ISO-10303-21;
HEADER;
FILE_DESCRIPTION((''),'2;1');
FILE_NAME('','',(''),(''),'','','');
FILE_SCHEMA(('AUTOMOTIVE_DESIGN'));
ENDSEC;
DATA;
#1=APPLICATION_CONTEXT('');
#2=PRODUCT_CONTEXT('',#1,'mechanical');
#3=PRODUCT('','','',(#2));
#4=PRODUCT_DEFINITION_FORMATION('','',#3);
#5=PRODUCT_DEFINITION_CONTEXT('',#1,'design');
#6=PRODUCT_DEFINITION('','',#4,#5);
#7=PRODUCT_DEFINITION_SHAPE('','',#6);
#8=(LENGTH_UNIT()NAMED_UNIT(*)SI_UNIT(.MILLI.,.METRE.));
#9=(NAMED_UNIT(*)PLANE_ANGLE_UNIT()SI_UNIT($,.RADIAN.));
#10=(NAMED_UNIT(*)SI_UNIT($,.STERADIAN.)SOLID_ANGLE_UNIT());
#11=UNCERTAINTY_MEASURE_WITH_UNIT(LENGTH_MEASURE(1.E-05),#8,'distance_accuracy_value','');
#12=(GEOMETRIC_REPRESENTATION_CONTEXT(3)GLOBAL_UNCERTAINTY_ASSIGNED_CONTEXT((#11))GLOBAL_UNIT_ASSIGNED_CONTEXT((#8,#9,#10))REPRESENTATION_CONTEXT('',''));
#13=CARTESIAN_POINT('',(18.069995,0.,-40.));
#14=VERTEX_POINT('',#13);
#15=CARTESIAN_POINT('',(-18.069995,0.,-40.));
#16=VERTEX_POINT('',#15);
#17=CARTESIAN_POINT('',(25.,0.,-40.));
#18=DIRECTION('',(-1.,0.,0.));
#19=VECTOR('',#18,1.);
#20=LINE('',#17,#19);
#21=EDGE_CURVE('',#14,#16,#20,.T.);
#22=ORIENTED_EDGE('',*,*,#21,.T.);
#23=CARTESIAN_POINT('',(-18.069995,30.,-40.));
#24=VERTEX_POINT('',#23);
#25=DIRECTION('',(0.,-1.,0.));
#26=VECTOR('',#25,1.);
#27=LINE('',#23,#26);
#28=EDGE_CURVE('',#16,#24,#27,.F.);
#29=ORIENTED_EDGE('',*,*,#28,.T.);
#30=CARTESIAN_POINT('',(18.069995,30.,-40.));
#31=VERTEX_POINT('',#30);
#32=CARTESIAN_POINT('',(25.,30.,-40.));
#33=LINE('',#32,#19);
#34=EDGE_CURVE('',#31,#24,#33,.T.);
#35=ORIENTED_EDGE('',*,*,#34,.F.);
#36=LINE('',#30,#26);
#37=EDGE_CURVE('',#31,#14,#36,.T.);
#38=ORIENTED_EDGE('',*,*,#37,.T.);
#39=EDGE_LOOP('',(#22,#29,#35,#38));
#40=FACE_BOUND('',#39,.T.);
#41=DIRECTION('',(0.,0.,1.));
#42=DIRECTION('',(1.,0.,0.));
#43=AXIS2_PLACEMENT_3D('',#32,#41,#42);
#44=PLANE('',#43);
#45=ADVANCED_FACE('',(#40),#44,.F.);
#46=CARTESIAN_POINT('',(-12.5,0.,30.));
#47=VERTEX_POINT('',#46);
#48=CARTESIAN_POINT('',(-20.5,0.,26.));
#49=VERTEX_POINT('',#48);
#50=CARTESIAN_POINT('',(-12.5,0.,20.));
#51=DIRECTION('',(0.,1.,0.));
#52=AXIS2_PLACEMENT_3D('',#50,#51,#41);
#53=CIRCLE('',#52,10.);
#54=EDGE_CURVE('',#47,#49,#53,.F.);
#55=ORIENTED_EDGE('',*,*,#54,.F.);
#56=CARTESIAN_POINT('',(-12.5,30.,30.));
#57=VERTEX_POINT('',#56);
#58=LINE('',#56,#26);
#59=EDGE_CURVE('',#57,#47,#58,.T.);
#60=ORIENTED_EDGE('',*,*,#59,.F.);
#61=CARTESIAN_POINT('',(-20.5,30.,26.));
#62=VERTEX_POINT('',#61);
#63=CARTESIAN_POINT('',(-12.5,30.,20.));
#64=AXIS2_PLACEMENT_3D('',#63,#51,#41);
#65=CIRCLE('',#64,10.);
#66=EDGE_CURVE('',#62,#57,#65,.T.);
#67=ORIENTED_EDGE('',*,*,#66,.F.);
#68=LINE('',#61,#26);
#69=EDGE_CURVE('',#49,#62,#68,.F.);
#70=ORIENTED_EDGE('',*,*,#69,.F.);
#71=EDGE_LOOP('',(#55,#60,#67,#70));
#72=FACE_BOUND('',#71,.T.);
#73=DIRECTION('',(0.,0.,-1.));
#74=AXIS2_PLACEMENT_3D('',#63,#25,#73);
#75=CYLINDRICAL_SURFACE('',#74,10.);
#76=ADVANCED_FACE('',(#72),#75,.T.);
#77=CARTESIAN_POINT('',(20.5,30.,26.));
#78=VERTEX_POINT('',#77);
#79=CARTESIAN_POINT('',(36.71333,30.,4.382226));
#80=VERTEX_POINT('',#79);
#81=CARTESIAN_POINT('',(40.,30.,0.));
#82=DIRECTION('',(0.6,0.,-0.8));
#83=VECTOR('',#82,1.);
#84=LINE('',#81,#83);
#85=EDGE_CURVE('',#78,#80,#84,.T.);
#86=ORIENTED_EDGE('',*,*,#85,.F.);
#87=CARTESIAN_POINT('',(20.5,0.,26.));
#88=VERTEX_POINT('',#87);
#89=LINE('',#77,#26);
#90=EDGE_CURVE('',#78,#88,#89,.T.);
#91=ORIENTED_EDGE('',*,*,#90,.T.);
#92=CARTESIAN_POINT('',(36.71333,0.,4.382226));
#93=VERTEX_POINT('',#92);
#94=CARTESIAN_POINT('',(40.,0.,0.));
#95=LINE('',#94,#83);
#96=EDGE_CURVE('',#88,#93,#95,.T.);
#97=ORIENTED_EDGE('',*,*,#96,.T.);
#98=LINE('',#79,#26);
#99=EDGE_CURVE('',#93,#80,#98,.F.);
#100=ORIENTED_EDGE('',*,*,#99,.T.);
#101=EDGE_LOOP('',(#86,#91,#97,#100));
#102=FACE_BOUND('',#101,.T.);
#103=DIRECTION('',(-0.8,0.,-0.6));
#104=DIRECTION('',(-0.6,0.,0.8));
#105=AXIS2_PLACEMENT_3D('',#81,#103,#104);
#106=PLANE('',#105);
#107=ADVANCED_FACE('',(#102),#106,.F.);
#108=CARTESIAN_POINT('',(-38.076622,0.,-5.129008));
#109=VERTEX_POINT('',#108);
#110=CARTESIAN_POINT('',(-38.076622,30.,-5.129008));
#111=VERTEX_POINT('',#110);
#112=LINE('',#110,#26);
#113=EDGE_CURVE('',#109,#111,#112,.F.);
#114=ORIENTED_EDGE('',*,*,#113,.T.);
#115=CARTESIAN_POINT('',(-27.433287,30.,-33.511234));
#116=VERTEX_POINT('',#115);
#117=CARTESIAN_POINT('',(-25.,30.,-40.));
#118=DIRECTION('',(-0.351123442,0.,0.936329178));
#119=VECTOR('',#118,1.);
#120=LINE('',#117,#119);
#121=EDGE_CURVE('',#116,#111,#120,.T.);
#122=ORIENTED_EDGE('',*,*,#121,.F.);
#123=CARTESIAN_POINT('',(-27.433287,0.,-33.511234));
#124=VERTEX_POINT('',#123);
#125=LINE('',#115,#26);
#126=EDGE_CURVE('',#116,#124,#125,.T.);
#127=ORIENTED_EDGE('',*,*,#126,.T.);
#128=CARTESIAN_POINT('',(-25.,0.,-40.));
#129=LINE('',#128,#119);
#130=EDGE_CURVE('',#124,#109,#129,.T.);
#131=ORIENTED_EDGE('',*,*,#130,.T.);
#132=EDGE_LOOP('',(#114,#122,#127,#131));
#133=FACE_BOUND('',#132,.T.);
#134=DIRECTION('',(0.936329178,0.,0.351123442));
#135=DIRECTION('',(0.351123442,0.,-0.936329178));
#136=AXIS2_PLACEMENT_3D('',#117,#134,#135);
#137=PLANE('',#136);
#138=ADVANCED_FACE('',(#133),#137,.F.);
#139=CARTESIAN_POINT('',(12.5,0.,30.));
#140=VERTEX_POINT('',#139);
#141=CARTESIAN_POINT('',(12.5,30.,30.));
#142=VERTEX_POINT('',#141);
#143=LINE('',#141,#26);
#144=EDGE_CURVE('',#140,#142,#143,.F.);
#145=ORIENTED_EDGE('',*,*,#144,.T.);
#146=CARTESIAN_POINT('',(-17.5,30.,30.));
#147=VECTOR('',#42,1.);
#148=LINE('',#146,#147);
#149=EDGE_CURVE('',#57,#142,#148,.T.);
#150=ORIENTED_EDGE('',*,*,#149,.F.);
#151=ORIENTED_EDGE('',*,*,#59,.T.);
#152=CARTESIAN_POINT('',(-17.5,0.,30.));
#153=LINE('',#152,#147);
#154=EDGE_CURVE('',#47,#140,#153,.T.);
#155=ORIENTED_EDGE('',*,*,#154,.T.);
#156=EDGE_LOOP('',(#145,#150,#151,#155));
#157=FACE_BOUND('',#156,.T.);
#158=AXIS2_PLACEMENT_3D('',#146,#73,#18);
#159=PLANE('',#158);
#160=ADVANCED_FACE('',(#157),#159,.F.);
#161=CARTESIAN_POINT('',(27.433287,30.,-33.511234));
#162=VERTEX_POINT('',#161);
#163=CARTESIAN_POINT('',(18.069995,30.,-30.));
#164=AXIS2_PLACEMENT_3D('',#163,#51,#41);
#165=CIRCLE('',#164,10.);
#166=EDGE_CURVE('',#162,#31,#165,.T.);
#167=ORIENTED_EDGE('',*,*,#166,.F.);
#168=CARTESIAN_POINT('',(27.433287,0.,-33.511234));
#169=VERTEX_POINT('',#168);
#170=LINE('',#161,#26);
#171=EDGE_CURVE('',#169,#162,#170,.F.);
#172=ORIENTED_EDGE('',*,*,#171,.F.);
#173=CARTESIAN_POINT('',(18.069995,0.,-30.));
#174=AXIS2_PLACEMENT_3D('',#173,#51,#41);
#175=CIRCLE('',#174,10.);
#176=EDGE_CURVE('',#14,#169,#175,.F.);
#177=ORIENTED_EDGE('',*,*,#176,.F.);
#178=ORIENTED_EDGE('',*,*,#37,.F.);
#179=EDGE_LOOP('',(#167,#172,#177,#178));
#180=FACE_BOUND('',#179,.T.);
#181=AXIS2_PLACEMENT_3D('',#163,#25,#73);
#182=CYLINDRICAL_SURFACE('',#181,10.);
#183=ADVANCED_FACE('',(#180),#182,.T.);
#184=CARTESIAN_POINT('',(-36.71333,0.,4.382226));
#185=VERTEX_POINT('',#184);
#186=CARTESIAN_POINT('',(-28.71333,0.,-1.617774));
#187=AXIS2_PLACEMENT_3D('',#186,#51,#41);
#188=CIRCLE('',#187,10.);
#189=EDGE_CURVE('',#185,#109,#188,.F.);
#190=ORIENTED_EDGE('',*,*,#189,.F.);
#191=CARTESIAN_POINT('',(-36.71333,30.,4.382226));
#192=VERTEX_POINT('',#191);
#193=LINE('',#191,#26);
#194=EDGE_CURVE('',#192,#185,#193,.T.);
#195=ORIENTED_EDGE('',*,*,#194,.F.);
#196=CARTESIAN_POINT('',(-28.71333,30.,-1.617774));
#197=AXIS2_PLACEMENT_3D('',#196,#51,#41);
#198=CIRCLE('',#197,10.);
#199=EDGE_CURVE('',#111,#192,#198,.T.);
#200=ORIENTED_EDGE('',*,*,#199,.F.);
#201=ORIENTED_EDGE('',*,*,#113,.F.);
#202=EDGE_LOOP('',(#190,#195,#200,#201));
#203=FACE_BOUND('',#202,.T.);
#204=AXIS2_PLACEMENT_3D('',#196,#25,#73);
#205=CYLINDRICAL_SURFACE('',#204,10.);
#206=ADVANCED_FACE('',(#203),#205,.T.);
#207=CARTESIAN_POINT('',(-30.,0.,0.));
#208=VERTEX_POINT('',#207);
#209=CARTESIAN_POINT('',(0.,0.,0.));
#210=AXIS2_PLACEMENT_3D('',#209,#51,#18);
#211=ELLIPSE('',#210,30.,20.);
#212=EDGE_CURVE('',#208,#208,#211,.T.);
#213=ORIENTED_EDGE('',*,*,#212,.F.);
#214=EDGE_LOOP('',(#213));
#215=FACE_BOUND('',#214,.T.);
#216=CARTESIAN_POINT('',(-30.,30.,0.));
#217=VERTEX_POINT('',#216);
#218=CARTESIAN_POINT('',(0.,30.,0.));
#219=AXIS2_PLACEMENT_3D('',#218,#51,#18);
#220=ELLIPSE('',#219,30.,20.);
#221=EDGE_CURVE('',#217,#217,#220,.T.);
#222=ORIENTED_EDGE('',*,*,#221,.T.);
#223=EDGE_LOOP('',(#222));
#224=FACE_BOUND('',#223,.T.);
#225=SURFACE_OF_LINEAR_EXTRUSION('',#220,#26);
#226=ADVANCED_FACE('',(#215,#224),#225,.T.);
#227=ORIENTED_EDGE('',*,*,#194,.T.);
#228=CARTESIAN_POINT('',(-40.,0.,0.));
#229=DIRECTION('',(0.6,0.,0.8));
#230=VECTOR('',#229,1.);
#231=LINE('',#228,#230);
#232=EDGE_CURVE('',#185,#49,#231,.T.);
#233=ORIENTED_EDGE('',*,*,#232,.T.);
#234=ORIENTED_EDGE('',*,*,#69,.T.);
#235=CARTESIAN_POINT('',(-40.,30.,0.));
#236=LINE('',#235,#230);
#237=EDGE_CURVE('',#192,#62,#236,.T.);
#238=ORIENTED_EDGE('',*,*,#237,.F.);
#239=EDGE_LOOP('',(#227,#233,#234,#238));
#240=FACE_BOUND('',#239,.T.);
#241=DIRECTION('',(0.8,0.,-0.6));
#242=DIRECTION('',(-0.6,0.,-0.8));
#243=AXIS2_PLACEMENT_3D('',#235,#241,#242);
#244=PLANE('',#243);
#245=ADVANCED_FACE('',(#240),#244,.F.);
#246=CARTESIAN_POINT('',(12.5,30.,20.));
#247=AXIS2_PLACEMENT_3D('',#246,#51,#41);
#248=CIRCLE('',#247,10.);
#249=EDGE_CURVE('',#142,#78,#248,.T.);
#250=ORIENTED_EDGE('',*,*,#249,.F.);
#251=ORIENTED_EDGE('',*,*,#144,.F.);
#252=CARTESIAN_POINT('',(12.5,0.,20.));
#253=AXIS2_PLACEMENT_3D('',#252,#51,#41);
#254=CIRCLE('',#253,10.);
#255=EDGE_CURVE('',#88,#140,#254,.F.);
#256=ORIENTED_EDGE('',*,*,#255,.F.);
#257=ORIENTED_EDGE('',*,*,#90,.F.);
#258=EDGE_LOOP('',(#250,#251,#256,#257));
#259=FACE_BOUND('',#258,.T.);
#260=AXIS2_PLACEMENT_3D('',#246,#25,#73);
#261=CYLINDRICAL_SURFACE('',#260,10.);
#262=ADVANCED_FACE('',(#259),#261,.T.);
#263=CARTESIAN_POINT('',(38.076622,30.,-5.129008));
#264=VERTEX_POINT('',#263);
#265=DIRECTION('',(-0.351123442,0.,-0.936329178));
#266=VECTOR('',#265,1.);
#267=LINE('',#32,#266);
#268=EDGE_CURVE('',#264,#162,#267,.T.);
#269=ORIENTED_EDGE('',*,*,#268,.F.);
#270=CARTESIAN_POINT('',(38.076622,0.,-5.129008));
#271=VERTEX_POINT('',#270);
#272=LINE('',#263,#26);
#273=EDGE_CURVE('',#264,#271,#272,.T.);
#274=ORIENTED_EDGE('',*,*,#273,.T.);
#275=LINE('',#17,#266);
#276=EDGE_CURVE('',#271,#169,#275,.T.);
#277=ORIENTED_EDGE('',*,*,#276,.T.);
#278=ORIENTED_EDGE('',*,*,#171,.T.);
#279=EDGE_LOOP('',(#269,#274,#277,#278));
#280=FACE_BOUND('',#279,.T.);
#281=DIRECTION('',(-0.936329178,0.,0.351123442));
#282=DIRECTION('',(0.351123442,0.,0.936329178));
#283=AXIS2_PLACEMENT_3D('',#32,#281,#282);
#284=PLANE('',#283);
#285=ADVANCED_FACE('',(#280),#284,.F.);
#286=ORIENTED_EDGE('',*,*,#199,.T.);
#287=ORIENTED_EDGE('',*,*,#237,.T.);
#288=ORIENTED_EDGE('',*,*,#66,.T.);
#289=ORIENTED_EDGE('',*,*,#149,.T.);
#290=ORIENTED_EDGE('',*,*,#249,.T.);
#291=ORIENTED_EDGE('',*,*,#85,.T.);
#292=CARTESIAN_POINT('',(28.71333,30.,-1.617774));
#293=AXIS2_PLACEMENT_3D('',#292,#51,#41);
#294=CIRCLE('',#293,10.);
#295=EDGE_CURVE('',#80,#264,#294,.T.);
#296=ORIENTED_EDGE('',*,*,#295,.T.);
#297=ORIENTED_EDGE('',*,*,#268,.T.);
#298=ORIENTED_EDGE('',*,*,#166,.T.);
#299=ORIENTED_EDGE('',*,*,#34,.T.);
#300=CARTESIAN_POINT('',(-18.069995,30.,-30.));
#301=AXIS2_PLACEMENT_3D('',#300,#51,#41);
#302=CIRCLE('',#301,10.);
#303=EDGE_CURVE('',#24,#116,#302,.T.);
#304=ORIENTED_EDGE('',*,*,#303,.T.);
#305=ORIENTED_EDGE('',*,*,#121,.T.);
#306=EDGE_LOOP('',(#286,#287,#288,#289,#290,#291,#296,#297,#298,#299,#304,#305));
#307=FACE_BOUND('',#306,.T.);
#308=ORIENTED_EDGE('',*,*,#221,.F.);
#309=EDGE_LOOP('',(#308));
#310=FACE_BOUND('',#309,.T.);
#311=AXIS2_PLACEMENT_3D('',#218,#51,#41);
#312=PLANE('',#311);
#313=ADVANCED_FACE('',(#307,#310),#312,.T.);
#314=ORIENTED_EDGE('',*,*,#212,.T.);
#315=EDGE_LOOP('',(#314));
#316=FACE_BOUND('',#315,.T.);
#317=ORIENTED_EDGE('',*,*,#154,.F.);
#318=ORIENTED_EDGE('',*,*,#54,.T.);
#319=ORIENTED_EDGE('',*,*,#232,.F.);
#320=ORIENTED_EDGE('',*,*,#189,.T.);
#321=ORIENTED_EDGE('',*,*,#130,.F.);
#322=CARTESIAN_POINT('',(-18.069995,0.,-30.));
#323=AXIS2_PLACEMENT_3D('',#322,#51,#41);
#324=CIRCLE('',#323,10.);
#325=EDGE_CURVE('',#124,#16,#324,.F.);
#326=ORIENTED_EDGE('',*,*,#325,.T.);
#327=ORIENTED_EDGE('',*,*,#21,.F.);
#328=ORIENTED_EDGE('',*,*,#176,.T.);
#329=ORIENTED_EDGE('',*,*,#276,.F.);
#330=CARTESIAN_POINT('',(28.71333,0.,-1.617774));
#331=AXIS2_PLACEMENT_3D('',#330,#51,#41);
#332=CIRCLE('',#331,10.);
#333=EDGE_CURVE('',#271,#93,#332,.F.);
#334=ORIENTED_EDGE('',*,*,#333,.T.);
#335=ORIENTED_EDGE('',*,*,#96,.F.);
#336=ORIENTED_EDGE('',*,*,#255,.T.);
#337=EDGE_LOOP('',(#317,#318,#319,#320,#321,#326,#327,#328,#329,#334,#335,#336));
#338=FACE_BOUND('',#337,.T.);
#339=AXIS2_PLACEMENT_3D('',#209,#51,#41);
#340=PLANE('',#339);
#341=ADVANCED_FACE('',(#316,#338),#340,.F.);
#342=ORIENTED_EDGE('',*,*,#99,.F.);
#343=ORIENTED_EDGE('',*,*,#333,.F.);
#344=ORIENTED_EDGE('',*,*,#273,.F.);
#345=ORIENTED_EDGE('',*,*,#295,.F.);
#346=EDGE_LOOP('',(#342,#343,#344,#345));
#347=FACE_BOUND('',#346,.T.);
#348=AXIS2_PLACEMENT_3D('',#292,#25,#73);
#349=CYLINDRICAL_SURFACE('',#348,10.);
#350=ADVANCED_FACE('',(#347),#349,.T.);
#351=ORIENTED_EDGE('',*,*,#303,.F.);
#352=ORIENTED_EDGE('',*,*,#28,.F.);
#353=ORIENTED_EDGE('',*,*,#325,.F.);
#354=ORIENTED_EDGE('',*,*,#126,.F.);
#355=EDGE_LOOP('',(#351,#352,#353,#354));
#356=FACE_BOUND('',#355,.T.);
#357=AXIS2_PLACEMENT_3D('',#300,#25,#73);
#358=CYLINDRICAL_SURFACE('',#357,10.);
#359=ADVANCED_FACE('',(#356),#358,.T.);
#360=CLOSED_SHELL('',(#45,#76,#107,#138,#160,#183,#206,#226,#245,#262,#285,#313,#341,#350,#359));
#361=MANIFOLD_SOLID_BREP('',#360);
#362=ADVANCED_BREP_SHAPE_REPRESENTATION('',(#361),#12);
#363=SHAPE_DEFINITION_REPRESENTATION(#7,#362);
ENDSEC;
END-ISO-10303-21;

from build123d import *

# Parameters (mm, degrees)
SKETCH1_RX          = 30
SKETCH1_RY          = 20
BOSS_EXTRUDE1_DEPTH = 30
FILLET1_R           = 10


with BuildPart() as part:
    # Sketch1 → Boss-Extrude1 (new body)
    with BuildSketch(Plane(origin=(0, 0, 0), x_dir=(1, 0, 0), z_dir=(0, 1, 0))):
        Polygon((25, 40), (-25, 40), (-40, 0), (-17.5, -30), (17.5, -30), (40, 0), align=None)
        with Locations(Location((0, 0), (0, 0, -180))):
            Ellipse(SKETCH1_RX, SKETCH1_RY, mode=Mode.SUBTRACT)
    extrude(amount=BOSS_EXTRUDE1_DEPTH)

    # Fillet1
    fillet1_edges = [part.edges().sort_by_distance(p)[0] for p in [
        (-25, 15, -40),
        (25, 15, -40),
        (40, 15, 0),
        (17.5, 15, 30),
        (-17.5, 15, 30),
        (-40, 15, 0),
    ]]
    fillet(fillet1_edges, radius=FILLET1_R)


solid = part.part
